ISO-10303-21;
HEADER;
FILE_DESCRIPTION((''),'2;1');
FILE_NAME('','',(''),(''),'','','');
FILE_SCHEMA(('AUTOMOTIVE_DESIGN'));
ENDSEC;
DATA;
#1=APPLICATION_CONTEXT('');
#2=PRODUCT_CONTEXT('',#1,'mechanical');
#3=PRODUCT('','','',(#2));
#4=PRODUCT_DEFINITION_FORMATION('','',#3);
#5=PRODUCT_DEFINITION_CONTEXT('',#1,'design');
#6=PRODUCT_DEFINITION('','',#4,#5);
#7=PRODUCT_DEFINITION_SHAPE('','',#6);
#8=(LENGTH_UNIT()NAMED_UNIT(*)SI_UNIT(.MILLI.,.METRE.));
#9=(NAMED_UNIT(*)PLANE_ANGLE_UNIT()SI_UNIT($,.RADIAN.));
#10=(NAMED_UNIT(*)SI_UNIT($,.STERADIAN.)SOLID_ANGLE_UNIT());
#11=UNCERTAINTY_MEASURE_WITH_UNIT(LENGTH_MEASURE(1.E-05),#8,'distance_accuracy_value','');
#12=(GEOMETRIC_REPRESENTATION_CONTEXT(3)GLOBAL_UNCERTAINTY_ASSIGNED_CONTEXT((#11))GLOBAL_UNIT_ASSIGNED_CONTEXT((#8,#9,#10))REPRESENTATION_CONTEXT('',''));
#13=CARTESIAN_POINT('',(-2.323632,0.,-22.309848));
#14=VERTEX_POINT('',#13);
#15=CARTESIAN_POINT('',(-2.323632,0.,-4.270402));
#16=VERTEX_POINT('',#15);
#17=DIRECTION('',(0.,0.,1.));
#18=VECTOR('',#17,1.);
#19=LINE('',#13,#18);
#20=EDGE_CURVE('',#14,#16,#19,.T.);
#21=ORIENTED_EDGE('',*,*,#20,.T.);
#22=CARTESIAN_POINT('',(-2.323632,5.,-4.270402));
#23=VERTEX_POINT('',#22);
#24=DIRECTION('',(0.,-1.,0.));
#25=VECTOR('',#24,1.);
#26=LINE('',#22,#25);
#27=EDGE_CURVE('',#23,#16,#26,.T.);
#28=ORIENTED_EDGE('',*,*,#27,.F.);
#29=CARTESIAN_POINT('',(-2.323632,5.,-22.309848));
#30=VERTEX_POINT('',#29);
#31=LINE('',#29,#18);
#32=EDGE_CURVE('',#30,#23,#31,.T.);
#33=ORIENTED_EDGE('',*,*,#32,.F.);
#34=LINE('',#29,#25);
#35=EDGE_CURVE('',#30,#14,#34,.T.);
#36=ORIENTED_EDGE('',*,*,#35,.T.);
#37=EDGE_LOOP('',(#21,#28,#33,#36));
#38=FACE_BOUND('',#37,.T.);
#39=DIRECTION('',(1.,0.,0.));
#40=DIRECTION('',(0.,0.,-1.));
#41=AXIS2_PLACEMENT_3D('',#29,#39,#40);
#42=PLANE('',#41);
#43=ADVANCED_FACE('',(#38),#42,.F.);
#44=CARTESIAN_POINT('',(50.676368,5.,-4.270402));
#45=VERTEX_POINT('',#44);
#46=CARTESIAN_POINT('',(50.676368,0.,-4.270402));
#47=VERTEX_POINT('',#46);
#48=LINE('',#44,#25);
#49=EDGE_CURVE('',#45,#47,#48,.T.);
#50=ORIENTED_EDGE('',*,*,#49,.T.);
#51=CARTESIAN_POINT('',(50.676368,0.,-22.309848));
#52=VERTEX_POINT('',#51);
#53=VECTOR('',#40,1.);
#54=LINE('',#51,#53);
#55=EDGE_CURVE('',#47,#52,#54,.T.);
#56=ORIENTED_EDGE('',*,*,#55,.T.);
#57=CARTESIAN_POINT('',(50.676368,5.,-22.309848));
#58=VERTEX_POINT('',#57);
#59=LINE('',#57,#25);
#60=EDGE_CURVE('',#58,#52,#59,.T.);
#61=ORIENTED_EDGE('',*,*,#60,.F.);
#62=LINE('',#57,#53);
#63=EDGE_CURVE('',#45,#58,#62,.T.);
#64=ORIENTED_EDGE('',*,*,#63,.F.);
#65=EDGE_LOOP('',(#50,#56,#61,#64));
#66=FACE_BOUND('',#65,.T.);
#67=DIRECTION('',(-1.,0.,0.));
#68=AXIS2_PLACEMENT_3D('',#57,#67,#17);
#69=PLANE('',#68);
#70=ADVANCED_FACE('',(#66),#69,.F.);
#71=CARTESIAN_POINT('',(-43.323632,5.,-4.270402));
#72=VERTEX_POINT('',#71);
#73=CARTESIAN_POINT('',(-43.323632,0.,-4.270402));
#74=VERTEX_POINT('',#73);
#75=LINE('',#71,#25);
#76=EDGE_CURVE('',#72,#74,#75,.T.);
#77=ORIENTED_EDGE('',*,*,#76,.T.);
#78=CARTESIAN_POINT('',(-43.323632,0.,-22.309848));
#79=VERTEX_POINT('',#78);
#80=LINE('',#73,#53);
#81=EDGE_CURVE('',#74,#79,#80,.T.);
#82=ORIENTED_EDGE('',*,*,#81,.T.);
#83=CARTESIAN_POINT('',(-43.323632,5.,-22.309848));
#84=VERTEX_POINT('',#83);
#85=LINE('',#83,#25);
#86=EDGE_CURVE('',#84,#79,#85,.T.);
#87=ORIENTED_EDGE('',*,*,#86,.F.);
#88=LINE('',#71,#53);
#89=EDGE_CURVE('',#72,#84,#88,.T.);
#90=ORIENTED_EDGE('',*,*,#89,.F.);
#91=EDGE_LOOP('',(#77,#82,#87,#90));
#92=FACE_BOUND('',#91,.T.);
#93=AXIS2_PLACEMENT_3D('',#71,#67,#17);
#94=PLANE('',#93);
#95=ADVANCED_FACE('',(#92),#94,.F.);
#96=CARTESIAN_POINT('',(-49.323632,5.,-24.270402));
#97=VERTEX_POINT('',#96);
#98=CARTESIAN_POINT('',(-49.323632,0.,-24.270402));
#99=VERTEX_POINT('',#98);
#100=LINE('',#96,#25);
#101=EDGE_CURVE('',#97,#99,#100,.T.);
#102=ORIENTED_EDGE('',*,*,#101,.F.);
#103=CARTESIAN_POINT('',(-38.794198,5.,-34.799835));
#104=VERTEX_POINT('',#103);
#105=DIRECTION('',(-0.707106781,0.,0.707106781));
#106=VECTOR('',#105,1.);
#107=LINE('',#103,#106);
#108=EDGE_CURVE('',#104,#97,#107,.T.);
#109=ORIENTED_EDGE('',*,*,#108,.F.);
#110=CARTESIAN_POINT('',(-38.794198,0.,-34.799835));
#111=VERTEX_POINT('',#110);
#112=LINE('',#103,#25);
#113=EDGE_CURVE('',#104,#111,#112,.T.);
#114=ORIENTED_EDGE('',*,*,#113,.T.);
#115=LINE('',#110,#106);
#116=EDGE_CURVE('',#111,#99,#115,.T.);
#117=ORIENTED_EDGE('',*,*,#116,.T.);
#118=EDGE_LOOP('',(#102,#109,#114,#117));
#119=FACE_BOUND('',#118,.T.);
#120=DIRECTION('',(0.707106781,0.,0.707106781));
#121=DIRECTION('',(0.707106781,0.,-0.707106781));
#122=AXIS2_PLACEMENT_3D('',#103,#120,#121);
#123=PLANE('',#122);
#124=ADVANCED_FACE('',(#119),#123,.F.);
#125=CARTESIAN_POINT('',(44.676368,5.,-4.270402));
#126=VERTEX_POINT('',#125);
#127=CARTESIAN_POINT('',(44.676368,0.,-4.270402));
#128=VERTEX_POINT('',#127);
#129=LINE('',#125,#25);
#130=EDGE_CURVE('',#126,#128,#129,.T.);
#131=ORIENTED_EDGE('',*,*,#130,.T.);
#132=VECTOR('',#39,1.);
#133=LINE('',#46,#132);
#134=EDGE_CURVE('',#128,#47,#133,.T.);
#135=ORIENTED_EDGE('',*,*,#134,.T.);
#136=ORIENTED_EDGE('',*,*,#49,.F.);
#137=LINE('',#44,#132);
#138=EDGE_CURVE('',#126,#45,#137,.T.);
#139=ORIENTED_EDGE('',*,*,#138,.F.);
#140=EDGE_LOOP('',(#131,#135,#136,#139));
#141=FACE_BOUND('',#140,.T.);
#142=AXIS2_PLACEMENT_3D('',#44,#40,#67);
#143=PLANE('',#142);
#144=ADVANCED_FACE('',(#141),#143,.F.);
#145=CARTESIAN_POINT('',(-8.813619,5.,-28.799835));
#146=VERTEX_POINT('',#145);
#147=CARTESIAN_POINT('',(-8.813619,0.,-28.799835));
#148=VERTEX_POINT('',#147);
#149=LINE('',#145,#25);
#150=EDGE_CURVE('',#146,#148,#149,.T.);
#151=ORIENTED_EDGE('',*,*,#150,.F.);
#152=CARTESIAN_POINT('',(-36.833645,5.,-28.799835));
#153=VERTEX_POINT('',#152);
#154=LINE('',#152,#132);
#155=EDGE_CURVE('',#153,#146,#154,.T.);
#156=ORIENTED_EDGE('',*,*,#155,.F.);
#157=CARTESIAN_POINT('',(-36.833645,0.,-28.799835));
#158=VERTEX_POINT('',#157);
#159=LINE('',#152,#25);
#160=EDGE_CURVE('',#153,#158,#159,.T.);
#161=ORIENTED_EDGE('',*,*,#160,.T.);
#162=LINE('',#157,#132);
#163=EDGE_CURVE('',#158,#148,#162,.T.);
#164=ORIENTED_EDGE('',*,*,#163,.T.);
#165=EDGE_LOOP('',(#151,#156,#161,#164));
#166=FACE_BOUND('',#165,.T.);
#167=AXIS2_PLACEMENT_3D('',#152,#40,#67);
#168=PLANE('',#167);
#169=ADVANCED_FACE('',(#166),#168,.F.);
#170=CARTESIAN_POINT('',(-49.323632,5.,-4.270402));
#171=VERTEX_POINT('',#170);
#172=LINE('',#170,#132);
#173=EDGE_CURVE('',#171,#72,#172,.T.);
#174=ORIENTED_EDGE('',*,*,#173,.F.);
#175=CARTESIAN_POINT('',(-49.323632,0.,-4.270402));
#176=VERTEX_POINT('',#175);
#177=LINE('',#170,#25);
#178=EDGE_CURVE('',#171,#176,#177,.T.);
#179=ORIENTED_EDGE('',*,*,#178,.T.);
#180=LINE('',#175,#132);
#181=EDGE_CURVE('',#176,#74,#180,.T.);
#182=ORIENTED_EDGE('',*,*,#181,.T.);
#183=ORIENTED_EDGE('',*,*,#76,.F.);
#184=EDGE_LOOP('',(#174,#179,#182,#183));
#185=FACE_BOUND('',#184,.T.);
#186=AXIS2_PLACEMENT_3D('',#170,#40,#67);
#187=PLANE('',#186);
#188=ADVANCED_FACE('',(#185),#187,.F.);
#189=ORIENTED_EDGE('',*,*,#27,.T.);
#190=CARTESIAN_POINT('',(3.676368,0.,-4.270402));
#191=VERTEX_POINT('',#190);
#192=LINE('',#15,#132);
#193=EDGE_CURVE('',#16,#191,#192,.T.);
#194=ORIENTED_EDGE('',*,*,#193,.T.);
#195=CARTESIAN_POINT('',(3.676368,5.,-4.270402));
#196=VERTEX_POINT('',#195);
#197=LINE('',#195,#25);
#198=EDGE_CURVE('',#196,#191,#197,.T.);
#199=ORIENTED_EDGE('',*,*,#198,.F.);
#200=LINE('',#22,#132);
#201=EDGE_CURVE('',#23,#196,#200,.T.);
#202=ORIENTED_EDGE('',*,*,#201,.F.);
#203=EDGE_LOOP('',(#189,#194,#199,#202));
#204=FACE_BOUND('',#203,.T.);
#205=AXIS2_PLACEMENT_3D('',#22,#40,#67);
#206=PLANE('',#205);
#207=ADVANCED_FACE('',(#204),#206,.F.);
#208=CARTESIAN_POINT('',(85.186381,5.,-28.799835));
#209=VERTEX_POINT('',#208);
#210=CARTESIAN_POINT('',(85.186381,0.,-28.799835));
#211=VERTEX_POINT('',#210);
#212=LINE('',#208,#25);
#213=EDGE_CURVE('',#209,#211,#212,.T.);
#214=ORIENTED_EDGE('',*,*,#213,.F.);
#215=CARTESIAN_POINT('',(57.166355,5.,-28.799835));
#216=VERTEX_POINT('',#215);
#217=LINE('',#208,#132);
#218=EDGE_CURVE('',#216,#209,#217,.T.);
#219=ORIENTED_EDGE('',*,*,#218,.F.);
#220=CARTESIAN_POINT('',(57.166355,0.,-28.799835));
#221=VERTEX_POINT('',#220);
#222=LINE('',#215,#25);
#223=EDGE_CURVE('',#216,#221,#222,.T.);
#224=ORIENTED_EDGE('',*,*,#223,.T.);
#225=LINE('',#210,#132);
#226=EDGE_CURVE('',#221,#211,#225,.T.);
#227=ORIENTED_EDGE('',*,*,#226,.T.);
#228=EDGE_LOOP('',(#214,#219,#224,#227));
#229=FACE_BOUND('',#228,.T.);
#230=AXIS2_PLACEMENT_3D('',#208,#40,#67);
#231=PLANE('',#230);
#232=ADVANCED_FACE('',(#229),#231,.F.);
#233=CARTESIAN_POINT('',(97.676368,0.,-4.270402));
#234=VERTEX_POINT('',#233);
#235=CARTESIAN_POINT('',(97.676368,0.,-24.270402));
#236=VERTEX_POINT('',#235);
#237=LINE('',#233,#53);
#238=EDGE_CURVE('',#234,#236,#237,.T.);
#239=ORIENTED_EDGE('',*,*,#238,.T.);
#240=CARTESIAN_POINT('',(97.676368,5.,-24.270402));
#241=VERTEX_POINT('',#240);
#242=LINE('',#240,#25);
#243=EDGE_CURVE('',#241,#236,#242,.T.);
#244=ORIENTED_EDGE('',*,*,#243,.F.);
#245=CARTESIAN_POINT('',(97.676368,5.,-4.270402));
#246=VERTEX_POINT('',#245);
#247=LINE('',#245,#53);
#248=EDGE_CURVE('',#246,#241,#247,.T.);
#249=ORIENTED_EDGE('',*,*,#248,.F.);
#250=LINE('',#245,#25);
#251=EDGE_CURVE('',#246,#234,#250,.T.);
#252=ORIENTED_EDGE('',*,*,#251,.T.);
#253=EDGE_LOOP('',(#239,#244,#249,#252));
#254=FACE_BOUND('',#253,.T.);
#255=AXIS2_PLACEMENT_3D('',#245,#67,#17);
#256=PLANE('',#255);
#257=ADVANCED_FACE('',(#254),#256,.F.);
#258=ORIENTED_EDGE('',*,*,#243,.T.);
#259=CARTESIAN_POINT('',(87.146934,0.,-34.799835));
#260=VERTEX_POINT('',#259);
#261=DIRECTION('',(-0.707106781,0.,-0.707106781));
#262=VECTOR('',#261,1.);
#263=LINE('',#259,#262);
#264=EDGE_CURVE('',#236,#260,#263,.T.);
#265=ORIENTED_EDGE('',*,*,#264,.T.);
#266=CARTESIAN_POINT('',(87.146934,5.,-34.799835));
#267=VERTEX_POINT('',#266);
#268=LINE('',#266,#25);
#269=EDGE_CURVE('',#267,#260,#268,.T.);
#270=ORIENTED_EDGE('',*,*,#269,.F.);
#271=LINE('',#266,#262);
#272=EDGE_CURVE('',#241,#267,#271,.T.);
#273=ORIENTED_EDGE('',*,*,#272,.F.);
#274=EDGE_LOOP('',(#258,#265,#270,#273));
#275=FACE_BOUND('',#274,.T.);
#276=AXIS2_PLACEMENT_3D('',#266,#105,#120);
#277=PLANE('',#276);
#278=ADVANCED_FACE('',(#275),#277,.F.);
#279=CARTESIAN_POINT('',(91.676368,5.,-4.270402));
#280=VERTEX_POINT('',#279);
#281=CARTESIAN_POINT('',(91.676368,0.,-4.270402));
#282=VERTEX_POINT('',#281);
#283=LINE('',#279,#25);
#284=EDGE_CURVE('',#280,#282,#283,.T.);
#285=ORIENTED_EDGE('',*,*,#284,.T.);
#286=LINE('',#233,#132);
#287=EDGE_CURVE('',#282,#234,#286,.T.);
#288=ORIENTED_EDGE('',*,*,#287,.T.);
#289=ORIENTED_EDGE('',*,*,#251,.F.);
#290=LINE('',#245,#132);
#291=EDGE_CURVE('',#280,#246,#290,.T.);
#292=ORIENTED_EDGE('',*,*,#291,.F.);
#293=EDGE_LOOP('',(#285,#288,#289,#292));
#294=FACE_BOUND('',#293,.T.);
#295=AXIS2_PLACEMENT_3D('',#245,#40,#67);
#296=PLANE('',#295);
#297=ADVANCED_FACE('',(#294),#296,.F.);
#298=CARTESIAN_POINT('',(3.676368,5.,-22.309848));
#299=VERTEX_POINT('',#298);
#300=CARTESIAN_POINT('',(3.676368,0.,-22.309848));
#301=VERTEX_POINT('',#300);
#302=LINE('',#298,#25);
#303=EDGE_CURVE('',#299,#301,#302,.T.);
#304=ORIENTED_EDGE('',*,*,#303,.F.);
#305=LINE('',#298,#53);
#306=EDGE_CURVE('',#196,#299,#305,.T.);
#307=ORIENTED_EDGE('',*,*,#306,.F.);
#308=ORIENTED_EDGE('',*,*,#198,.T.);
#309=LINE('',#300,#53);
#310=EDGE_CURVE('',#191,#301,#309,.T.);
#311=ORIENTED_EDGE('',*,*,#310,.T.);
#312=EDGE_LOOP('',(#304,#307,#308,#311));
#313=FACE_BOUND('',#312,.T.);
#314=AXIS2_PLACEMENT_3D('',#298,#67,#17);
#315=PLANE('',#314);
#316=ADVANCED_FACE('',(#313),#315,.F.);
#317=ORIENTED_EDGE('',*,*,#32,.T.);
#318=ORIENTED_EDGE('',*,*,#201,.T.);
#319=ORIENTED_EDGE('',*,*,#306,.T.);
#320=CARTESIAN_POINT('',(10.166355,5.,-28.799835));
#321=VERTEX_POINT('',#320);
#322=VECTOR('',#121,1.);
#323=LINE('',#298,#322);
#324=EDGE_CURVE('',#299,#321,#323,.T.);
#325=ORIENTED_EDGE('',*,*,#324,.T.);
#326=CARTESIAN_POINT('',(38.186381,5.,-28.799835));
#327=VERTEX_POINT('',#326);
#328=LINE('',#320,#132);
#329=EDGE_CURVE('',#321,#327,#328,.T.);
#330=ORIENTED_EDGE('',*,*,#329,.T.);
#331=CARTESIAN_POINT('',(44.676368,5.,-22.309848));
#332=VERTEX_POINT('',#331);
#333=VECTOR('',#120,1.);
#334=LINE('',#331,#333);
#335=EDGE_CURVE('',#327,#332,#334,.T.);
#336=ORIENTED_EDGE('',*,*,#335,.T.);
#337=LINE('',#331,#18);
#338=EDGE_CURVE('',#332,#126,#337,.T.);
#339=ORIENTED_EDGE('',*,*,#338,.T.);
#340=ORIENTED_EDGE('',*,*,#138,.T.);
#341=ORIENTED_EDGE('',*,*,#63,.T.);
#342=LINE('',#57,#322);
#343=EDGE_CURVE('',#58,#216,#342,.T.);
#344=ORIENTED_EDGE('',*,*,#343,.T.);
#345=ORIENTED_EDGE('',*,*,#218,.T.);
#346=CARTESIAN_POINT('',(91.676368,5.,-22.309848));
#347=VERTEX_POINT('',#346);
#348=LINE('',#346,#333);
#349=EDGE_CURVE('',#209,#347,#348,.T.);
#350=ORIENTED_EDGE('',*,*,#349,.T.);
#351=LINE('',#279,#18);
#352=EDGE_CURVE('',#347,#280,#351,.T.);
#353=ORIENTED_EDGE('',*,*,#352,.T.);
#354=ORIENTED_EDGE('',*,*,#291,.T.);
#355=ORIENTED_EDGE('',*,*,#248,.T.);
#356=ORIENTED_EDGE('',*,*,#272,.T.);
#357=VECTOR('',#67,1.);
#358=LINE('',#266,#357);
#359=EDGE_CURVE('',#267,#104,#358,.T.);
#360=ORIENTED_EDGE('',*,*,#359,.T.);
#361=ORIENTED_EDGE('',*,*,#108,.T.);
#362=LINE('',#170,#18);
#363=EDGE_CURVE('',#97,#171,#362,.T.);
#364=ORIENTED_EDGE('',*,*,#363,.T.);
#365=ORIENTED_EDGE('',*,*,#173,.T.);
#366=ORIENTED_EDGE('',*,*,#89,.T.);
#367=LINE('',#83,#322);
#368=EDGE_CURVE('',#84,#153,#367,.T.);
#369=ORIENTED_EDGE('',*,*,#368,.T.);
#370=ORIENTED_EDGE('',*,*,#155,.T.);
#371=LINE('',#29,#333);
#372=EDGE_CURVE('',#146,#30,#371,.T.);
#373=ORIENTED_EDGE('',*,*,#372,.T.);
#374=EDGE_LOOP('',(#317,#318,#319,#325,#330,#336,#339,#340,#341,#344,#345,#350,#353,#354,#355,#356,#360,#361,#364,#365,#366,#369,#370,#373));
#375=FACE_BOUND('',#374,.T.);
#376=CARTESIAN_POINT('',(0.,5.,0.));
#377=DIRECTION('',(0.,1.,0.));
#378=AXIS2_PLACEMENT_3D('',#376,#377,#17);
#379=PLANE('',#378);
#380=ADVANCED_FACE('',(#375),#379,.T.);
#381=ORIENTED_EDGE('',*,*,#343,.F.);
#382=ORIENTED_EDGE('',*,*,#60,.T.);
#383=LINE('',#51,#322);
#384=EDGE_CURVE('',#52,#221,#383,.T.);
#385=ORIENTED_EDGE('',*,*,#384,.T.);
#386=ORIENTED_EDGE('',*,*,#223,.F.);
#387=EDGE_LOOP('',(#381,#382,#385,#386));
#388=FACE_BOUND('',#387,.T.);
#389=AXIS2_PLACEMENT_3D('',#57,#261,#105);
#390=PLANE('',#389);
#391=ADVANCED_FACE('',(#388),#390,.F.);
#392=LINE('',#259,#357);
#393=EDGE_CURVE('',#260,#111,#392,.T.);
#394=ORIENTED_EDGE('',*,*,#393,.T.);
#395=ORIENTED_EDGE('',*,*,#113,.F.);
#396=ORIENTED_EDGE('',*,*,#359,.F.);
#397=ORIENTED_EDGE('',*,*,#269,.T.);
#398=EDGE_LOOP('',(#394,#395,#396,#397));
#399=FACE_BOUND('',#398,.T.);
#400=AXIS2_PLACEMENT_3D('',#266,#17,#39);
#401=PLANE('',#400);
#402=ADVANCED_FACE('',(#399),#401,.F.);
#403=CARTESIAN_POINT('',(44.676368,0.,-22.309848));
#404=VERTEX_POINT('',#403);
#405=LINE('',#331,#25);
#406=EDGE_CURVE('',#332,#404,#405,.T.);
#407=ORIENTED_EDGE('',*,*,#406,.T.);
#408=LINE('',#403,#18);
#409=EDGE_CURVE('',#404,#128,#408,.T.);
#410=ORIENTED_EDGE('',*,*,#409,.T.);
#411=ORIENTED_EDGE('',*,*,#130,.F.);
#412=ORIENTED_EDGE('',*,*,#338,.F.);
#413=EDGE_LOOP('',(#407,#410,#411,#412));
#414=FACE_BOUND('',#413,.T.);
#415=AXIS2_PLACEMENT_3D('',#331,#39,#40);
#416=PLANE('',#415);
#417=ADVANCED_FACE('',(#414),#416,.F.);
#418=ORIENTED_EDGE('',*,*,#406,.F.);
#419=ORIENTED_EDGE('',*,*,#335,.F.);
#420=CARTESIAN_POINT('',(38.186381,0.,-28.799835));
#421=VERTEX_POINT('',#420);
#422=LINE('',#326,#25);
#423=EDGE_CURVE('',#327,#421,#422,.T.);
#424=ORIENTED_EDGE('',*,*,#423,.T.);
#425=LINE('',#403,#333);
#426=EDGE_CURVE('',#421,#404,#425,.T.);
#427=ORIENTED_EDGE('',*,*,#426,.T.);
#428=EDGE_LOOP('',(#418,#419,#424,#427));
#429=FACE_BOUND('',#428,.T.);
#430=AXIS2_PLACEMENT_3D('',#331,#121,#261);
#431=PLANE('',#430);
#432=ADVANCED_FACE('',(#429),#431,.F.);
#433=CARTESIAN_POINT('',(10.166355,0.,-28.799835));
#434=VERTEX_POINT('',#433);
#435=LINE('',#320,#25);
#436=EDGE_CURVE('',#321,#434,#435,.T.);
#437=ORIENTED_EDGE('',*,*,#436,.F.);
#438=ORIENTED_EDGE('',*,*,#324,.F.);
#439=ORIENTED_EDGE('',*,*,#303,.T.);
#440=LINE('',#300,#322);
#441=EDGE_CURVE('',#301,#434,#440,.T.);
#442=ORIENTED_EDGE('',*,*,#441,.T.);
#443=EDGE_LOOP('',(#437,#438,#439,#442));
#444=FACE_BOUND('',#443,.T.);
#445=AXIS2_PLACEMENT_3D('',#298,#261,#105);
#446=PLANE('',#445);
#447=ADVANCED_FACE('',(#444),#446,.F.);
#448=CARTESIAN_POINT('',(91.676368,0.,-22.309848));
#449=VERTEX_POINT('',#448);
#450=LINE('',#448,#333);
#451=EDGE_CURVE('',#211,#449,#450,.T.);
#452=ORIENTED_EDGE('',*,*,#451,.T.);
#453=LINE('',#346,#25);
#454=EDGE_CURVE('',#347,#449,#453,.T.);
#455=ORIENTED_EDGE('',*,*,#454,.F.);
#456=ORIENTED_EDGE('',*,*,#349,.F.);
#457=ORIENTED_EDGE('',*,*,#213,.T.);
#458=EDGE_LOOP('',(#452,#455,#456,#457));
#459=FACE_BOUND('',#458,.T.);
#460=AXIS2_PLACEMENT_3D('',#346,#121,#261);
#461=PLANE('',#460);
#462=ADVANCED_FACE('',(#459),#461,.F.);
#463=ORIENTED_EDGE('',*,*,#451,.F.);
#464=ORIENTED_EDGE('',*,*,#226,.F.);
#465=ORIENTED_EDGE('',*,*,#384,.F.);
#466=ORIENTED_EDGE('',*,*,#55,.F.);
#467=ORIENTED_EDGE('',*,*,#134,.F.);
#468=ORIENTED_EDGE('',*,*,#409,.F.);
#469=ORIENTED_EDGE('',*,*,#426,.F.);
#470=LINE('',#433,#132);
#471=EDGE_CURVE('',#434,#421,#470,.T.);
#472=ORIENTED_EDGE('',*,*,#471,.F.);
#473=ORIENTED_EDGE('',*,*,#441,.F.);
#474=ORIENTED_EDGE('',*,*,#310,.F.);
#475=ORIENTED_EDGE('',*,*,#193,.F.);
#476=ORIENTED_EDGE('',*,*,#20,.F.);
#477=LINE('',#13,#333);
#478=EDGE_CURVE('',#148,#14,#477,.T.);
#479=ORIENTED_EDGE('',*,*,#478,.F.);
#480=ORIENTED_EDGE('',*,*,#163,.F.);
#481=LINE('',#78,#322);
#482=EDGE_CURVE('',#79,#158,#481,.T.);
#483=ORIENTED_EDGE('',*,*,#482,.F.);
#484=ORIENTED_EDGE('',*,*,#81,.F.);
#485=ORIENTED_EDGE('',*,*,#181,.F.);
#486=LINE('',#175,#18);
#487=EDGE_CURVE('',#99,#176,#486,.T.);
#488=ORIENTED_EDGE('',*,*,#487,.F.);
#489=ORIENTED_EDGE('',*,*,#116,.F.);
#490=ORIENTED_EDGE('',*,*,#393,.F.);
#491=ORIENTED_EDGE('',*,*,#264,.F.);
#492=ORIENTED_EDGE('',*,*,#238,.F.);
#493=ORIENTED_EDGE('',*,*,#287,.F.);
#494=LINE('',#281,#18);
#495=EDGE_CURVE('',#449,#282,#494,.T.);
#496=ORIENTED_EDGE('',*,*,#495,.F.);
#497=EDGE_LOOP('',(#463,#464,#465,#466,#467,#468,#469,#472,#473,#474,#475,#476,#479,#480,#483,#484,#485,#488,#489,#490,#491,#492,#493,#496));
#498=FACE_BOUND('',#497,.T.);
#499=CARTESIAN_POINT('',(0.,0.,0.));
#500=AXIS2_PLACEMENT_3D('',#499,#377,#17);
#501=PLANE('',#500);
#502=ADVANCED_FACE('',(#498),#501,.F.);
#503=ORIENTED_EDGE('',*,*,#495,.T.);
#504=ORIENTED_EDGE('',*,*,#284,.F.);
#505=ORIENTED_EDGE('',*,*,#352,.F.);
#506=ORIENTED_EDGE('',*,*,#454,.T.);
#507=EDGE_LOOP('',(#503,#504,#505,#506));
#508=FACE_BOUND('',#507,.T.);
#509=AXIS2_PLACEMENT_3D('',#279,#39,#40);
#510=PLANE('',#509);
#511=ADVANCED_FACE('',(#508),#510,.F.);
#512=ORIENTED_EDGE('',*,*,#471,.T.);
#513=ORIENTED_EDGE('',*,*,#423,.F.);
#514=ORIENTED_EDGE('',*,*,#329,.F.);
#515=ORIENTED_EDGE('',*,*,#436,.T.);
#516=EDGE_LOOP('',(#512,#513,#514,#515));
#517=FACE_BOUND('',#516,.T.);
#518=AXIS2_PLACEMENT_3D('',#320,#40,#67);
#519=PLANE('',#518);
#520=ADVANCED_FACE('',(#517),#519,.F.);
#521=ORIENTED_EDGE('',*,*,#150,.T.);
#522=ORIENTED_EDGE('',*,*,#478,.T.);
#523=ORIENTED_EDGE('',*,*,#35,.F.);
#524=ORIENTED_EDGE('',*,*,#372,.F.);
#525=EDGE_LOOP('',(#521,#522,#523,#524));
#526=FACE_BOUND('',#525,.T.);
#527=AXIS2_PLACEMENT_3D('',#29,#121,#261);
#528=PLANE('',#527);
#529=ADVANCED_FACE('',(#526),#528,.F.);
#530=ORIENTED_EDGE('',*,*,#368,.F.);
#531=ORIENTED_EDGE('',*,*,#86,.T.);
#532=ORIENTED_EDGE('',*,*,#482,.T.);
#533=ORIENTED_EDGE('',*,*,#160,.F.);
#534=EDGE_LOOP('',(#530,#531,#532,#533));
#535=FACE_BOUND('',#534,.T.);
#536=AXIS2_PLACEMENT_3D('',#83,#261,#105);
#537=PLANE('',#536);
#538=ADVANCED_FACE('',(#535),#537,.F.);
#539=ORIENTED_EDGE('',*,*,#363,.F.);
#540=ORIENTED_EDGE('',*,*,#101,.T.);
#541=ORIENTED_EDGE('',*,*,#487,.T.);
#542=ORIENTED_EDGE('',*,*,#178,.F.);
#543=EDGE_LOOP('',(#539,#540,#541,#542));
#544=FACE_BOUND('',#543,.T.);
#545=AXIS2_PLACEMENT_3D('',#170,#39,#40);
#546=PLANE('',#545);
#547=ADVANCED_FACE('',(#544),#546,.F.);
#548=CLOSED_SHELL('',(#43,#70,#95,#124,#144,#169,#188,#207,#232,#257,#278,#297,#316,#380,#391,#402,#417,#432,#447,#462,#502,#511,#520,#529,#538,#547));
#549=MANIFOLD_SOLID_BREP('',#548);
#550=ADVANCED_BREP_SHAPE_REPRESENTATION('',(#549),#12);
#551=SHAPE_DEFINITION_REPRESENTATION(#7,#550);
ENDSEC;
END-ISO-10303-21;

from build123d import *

# Parameters (mm, degrees)
BOSS_EXTRUDE1_DEPTH = 5


with BuildPart() as part:
    # Sketch1 → Boss-Extrude1 (new body)
    with BuildSketch(Plane(origin=(0, 0, 0), x_dir=(1, 0, 0), z_dir=(0, 1, 0))):
        Polygon((-38.794198113, 34.799835274), (-49.323631875, 24.270401512), (-49.323631875, 4.270401512), (-43.323631875, 4.270401512), (-43.323631875, 22.309848404), (-36.833645004, 28.799835274), (-8.813618745, 28.799835274), (-2.323631875, 22.309848404), (-2.323631875, 4.270401512), (3.676368125, 4.270401512), (3.676368125, 22.309848404), (10.166354996, 28.799835274), (38.186381255, 28.799835274), (44.676368125, 22.309848404), (44.676368125, 4.270401512), (50.676368125, 4.270401512), (50.676368125, 22.309848404), (57.166354996, 28.799835274), (85.186381255, 28.799835274), (91.676368125, 22.309848404), (91.676368125, 4.270401512), (97.676368125, 4.270401512), (97.676368125, 24.270401512), (87.146934364, 34.799835274), align=None)
    extrude(amount=BOSS_EXTRUDE1_DEPTH)


solid = part.part
